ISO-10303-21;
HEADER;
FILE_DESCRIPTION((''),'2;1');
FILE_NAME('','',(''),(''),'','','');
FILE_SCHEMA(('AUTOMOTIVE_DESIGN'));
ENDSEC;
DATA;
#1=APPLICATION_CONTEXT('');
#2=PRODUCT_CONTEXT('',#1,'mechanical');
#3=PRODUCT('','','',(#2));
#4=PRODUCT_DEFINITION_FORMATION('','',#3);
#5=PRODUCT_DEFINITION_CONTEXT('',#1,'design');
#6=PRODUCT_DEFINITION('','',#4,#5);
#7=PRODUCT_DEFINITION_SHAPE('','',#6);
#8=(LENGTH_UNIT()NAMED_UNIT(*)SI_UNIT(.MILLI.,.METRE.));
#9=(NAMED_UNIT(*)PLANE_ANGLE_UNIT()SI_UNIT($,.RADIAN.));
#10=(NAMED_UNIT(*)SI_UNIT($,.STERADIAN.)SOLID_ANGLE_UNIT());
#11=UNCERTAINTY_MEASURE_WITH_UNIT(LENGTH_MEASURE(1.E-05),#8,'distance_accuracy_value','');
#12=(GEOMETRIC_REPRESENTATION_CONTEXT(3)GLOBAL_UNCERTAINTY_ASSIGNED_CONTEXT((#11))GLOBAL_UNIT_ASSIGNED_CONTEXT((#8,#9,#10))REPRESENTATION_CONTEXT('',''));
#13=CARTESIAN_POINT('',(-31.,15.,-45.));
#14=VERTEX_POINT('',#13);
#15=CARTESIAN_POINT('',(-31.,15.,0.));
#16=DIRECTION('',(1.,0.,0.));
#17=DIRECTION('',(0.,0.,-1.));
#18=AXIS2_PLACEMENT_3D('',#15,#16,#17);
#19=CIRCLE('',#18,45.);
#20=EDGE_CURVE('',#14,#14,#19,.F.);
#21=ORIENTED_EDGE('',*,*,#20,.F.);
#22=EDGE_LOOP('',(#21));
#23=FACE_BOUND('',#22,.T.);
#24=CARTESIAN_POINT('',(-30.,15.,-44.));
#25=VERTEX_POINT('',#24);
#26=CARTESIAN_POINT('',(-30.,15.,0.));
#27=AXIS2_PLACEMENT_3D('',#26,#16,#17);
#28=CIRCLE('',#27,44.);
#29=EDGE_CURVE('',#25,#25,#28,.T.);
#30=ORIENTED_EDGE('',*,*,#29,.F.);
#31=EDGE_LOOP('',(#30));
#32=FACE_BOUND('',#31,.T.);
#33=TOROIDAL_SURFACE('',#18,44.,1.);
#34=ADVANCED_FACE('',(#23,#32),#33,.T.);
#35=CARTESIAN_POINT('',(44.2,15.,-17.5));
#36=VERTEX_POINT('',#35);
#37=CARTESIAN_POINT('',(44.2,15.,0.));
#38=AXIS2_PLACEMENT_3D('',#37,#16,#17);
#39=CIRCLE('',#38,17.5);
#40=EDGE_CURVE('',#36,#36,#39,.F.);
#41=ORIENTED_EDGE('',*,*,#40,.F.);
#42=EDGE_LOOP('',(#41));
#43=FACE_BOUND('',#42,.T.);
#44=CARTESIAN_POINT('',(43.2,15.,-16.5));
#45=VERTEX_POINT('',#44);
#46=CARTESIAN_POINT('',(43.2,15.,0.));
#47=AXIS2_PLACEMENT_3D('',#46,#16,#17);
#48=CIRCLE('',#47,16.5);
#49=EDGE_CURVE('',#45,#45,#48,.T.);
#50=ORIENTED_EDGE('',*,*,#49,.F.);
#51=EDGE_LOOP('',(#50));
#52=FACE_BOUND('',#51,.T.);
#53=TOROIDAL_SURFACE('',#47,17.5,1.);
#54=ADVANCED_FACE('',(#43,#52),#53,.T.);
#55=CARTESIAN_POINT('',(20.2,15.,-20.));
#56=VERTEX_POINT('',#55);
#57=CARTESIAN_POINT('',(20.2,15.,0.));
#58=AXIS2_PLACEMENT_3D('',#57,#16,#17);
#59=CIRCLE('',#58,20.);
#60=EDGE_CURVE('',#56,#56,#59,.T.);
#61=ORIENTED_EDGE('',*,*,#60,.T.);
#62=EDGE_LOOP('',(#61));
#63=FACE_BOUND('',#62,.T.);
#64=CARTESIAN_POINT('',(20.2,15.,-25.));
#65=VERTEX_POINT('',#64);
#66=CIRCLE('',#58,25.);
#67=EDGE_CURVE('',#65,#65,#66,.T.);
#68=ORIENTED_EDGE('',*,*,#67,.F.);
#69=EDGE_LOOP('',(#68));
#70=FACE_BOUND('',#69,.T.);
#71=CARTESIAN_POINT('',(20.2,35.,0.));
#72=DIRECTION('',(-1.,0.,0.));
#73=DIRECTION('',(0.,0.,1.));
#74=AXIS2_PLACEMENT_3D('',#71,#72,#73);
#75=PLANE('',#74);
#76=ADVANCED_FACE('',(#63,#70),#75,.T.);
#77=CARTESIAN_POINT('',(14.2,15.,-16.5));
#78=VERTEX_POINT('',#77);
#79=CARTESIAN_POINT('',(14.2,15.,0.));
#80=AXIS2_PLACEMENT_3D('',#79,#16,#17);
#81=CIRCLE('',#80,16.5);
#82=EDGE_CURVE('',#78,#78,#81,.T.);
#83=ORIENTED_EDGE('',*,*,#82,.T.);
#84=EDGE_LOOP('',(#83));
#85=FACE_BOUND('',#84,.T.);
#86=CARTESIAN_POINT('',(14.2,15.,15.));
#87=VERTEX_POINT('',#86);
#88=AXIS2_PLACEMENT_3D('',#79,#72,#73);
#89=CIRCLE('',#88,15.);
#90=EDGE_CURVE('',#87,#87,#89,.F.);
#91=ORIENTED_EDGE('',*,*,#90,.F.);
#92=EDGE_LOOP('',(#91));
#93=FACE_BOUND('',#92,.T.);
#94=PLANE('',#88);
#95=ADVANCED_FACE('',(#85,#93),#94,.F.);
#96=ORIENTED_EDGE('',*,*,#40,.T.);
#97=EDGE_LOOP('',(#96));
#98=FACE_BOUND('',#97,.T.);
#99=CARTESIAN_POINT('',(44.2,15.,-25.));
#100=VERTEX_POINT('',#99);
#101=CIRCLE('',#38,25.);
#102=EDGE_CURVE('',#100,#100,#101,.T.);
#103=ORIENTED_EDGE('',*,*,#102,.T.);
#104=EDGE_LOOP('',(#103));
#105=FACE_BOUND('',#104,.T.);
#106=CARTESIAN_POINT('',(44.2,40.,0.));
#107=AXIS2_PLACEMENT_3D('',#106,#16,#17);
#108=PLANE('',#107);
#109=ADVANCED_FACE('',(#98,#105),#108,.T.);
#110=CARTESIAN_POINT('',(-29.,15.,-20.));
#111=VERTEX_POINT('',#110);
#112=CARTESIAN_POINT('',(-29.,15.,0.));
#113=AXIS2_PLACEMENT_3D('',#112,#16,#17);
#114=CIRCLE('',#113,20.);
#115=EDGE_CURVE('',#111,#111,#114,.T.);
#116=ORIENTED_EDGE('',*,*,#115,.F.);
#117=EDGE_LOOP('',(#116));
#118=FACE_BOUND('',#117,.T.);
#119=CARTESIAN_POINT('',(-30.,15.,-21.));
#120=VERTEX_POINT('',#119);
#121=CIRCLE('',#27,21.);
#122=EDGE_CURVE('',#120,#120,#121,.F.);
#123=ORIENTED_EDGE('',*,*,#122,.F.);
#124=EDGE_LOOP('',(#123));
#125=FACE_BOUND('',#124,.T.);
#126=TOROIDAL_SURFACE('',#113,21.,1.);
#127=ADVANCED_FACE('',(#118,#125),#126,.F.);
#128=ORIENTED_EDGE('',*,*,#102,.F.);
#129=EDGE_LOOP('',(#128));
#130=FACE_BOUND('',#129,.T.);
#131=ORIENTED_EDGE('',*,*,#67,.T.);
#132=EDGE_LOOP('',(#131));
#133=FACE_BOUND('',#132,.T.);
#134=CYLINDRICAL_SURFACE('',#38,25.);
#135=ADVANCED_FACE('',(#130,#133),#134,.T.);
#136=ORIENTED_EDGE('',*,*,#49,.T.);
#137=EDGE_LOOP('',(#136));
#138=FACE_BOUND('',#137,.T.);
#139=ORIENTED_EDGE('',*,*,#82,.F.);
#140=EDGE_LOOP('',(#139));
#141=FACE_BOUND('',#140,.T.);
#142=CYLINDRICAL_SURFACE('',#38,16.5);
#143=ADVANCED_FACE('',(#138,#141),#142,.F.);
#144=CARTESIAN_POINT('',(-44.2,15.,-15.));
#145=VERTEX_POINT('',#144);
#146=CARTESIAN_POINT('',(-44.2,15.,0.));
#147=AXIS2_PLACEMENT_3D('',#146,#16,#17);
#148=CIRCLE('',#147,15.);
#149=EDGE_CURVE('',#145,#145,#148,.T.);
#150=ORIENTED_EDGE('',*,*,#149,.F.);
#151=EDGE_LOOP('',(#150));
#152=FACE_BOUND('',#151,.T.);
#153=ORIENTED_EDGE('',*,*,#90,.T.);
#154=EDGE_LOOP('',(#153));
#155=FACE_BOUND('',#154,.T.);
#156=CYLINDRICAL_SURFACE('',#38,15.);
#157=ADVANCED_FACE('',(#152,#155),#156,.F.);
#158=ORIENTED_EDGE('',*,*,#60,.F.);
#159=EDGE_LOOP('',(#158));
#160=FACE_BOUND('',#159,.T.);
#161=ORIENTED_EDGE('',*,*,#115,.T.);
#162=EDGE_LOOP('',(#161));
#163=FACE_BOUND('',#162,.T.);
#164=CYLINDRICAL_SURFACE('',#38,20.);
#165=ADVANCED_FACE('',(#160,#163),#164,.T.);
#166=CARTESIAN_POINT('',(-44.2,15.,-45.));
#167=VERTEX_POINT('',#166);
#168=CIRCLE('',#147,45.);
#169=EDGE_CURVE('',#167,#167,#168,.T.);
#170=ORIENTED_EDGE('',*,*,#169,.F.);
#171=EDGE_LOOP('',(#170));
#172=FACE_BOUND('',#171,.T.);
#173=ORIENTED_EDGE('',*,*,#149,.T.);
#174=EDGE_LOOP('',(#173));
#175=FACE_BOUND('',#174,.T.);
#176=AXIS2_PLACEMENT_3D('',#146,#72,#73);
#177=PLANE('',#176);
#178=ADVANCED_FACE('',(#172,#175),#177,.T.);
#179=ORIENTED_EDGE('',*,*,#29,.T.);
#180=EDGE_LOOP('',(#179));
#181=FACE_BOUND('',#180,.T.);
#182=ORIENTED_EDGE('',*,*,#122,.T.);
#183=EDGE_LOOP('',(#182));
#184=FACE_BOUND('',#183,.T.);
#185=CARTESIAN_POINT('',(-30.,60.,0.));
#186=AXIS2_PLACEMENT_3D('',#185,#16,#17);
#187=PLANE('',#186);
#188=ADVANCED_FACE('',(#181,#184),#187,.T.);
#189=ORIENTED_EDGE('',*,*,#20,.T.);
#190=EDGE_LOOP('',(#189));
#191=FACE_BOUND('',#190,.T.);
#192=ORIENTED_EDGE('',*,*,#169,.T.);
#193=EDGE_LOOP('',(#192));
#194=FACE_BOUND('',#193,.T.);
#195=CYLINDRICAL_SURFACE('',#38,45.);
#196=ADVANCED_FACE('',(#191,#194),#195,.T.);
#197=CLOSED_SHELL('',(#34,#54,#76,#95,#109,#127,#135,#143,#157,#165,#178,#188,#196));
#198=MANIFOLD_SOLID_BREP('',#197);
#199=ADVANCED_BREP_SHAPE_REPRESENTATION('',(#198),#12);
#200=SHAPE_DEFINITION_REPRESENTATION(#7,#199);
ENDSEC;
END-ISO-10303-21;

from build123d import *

# Parameters (mm, degrees)
HOLE1_D     = 30
HOLE2_D     = 33
HOLE2_DEPTH = 30
FILLET1_R   = 1


with BuildPart() as part:
    # Sketch1 → Revolve1 (revolve)
    with BuildSketch(Plane.XY, mode=Mode.PRIVATE) as revolve1_sk:
        Polygon((-44.2, 15), (-44.2, 60), (-30, 60), (-30, 35), (20.2, 35), (20.2, 40), (44.2, 40), (44.2, 15), align=None)
    revolve(revolve1_sk.sketch.rotate(Axis((44.2, 15, 0), (-1, 0, 0)), 90), axis=Axis((44.2, 15, 0), (-1, 0, 0)))

    # Hole1 (through all)
    with Locations(Plane(origin=(44.2, 0, 0), x_dir=(0, 0, -1), z_dir=(1, 0, 0))):
        with Locations((0, 15)):
            Hole(HOLE1_D / 2)

    # Hole2
    with Locations(Plane(origin=(44.2, 0, 0), x_dir=(0, 0, -1), z_dir=(1, 0, 0))):
        with Locations((0, 15)):
            Hole(HOLE2_D / 2, depth=HOLE2_DEPTH)

    # Fillet1
    fillet1_edges = [part.edges().sort_by_distance(p)[0] for p in [
        (44.2, 15, -16.5),
        (-30, 15, 20),
        (-30, 15, 45),
    ]]
    fillet(fillet1_edges, radius=FILLET1_R)


solid = part.part
